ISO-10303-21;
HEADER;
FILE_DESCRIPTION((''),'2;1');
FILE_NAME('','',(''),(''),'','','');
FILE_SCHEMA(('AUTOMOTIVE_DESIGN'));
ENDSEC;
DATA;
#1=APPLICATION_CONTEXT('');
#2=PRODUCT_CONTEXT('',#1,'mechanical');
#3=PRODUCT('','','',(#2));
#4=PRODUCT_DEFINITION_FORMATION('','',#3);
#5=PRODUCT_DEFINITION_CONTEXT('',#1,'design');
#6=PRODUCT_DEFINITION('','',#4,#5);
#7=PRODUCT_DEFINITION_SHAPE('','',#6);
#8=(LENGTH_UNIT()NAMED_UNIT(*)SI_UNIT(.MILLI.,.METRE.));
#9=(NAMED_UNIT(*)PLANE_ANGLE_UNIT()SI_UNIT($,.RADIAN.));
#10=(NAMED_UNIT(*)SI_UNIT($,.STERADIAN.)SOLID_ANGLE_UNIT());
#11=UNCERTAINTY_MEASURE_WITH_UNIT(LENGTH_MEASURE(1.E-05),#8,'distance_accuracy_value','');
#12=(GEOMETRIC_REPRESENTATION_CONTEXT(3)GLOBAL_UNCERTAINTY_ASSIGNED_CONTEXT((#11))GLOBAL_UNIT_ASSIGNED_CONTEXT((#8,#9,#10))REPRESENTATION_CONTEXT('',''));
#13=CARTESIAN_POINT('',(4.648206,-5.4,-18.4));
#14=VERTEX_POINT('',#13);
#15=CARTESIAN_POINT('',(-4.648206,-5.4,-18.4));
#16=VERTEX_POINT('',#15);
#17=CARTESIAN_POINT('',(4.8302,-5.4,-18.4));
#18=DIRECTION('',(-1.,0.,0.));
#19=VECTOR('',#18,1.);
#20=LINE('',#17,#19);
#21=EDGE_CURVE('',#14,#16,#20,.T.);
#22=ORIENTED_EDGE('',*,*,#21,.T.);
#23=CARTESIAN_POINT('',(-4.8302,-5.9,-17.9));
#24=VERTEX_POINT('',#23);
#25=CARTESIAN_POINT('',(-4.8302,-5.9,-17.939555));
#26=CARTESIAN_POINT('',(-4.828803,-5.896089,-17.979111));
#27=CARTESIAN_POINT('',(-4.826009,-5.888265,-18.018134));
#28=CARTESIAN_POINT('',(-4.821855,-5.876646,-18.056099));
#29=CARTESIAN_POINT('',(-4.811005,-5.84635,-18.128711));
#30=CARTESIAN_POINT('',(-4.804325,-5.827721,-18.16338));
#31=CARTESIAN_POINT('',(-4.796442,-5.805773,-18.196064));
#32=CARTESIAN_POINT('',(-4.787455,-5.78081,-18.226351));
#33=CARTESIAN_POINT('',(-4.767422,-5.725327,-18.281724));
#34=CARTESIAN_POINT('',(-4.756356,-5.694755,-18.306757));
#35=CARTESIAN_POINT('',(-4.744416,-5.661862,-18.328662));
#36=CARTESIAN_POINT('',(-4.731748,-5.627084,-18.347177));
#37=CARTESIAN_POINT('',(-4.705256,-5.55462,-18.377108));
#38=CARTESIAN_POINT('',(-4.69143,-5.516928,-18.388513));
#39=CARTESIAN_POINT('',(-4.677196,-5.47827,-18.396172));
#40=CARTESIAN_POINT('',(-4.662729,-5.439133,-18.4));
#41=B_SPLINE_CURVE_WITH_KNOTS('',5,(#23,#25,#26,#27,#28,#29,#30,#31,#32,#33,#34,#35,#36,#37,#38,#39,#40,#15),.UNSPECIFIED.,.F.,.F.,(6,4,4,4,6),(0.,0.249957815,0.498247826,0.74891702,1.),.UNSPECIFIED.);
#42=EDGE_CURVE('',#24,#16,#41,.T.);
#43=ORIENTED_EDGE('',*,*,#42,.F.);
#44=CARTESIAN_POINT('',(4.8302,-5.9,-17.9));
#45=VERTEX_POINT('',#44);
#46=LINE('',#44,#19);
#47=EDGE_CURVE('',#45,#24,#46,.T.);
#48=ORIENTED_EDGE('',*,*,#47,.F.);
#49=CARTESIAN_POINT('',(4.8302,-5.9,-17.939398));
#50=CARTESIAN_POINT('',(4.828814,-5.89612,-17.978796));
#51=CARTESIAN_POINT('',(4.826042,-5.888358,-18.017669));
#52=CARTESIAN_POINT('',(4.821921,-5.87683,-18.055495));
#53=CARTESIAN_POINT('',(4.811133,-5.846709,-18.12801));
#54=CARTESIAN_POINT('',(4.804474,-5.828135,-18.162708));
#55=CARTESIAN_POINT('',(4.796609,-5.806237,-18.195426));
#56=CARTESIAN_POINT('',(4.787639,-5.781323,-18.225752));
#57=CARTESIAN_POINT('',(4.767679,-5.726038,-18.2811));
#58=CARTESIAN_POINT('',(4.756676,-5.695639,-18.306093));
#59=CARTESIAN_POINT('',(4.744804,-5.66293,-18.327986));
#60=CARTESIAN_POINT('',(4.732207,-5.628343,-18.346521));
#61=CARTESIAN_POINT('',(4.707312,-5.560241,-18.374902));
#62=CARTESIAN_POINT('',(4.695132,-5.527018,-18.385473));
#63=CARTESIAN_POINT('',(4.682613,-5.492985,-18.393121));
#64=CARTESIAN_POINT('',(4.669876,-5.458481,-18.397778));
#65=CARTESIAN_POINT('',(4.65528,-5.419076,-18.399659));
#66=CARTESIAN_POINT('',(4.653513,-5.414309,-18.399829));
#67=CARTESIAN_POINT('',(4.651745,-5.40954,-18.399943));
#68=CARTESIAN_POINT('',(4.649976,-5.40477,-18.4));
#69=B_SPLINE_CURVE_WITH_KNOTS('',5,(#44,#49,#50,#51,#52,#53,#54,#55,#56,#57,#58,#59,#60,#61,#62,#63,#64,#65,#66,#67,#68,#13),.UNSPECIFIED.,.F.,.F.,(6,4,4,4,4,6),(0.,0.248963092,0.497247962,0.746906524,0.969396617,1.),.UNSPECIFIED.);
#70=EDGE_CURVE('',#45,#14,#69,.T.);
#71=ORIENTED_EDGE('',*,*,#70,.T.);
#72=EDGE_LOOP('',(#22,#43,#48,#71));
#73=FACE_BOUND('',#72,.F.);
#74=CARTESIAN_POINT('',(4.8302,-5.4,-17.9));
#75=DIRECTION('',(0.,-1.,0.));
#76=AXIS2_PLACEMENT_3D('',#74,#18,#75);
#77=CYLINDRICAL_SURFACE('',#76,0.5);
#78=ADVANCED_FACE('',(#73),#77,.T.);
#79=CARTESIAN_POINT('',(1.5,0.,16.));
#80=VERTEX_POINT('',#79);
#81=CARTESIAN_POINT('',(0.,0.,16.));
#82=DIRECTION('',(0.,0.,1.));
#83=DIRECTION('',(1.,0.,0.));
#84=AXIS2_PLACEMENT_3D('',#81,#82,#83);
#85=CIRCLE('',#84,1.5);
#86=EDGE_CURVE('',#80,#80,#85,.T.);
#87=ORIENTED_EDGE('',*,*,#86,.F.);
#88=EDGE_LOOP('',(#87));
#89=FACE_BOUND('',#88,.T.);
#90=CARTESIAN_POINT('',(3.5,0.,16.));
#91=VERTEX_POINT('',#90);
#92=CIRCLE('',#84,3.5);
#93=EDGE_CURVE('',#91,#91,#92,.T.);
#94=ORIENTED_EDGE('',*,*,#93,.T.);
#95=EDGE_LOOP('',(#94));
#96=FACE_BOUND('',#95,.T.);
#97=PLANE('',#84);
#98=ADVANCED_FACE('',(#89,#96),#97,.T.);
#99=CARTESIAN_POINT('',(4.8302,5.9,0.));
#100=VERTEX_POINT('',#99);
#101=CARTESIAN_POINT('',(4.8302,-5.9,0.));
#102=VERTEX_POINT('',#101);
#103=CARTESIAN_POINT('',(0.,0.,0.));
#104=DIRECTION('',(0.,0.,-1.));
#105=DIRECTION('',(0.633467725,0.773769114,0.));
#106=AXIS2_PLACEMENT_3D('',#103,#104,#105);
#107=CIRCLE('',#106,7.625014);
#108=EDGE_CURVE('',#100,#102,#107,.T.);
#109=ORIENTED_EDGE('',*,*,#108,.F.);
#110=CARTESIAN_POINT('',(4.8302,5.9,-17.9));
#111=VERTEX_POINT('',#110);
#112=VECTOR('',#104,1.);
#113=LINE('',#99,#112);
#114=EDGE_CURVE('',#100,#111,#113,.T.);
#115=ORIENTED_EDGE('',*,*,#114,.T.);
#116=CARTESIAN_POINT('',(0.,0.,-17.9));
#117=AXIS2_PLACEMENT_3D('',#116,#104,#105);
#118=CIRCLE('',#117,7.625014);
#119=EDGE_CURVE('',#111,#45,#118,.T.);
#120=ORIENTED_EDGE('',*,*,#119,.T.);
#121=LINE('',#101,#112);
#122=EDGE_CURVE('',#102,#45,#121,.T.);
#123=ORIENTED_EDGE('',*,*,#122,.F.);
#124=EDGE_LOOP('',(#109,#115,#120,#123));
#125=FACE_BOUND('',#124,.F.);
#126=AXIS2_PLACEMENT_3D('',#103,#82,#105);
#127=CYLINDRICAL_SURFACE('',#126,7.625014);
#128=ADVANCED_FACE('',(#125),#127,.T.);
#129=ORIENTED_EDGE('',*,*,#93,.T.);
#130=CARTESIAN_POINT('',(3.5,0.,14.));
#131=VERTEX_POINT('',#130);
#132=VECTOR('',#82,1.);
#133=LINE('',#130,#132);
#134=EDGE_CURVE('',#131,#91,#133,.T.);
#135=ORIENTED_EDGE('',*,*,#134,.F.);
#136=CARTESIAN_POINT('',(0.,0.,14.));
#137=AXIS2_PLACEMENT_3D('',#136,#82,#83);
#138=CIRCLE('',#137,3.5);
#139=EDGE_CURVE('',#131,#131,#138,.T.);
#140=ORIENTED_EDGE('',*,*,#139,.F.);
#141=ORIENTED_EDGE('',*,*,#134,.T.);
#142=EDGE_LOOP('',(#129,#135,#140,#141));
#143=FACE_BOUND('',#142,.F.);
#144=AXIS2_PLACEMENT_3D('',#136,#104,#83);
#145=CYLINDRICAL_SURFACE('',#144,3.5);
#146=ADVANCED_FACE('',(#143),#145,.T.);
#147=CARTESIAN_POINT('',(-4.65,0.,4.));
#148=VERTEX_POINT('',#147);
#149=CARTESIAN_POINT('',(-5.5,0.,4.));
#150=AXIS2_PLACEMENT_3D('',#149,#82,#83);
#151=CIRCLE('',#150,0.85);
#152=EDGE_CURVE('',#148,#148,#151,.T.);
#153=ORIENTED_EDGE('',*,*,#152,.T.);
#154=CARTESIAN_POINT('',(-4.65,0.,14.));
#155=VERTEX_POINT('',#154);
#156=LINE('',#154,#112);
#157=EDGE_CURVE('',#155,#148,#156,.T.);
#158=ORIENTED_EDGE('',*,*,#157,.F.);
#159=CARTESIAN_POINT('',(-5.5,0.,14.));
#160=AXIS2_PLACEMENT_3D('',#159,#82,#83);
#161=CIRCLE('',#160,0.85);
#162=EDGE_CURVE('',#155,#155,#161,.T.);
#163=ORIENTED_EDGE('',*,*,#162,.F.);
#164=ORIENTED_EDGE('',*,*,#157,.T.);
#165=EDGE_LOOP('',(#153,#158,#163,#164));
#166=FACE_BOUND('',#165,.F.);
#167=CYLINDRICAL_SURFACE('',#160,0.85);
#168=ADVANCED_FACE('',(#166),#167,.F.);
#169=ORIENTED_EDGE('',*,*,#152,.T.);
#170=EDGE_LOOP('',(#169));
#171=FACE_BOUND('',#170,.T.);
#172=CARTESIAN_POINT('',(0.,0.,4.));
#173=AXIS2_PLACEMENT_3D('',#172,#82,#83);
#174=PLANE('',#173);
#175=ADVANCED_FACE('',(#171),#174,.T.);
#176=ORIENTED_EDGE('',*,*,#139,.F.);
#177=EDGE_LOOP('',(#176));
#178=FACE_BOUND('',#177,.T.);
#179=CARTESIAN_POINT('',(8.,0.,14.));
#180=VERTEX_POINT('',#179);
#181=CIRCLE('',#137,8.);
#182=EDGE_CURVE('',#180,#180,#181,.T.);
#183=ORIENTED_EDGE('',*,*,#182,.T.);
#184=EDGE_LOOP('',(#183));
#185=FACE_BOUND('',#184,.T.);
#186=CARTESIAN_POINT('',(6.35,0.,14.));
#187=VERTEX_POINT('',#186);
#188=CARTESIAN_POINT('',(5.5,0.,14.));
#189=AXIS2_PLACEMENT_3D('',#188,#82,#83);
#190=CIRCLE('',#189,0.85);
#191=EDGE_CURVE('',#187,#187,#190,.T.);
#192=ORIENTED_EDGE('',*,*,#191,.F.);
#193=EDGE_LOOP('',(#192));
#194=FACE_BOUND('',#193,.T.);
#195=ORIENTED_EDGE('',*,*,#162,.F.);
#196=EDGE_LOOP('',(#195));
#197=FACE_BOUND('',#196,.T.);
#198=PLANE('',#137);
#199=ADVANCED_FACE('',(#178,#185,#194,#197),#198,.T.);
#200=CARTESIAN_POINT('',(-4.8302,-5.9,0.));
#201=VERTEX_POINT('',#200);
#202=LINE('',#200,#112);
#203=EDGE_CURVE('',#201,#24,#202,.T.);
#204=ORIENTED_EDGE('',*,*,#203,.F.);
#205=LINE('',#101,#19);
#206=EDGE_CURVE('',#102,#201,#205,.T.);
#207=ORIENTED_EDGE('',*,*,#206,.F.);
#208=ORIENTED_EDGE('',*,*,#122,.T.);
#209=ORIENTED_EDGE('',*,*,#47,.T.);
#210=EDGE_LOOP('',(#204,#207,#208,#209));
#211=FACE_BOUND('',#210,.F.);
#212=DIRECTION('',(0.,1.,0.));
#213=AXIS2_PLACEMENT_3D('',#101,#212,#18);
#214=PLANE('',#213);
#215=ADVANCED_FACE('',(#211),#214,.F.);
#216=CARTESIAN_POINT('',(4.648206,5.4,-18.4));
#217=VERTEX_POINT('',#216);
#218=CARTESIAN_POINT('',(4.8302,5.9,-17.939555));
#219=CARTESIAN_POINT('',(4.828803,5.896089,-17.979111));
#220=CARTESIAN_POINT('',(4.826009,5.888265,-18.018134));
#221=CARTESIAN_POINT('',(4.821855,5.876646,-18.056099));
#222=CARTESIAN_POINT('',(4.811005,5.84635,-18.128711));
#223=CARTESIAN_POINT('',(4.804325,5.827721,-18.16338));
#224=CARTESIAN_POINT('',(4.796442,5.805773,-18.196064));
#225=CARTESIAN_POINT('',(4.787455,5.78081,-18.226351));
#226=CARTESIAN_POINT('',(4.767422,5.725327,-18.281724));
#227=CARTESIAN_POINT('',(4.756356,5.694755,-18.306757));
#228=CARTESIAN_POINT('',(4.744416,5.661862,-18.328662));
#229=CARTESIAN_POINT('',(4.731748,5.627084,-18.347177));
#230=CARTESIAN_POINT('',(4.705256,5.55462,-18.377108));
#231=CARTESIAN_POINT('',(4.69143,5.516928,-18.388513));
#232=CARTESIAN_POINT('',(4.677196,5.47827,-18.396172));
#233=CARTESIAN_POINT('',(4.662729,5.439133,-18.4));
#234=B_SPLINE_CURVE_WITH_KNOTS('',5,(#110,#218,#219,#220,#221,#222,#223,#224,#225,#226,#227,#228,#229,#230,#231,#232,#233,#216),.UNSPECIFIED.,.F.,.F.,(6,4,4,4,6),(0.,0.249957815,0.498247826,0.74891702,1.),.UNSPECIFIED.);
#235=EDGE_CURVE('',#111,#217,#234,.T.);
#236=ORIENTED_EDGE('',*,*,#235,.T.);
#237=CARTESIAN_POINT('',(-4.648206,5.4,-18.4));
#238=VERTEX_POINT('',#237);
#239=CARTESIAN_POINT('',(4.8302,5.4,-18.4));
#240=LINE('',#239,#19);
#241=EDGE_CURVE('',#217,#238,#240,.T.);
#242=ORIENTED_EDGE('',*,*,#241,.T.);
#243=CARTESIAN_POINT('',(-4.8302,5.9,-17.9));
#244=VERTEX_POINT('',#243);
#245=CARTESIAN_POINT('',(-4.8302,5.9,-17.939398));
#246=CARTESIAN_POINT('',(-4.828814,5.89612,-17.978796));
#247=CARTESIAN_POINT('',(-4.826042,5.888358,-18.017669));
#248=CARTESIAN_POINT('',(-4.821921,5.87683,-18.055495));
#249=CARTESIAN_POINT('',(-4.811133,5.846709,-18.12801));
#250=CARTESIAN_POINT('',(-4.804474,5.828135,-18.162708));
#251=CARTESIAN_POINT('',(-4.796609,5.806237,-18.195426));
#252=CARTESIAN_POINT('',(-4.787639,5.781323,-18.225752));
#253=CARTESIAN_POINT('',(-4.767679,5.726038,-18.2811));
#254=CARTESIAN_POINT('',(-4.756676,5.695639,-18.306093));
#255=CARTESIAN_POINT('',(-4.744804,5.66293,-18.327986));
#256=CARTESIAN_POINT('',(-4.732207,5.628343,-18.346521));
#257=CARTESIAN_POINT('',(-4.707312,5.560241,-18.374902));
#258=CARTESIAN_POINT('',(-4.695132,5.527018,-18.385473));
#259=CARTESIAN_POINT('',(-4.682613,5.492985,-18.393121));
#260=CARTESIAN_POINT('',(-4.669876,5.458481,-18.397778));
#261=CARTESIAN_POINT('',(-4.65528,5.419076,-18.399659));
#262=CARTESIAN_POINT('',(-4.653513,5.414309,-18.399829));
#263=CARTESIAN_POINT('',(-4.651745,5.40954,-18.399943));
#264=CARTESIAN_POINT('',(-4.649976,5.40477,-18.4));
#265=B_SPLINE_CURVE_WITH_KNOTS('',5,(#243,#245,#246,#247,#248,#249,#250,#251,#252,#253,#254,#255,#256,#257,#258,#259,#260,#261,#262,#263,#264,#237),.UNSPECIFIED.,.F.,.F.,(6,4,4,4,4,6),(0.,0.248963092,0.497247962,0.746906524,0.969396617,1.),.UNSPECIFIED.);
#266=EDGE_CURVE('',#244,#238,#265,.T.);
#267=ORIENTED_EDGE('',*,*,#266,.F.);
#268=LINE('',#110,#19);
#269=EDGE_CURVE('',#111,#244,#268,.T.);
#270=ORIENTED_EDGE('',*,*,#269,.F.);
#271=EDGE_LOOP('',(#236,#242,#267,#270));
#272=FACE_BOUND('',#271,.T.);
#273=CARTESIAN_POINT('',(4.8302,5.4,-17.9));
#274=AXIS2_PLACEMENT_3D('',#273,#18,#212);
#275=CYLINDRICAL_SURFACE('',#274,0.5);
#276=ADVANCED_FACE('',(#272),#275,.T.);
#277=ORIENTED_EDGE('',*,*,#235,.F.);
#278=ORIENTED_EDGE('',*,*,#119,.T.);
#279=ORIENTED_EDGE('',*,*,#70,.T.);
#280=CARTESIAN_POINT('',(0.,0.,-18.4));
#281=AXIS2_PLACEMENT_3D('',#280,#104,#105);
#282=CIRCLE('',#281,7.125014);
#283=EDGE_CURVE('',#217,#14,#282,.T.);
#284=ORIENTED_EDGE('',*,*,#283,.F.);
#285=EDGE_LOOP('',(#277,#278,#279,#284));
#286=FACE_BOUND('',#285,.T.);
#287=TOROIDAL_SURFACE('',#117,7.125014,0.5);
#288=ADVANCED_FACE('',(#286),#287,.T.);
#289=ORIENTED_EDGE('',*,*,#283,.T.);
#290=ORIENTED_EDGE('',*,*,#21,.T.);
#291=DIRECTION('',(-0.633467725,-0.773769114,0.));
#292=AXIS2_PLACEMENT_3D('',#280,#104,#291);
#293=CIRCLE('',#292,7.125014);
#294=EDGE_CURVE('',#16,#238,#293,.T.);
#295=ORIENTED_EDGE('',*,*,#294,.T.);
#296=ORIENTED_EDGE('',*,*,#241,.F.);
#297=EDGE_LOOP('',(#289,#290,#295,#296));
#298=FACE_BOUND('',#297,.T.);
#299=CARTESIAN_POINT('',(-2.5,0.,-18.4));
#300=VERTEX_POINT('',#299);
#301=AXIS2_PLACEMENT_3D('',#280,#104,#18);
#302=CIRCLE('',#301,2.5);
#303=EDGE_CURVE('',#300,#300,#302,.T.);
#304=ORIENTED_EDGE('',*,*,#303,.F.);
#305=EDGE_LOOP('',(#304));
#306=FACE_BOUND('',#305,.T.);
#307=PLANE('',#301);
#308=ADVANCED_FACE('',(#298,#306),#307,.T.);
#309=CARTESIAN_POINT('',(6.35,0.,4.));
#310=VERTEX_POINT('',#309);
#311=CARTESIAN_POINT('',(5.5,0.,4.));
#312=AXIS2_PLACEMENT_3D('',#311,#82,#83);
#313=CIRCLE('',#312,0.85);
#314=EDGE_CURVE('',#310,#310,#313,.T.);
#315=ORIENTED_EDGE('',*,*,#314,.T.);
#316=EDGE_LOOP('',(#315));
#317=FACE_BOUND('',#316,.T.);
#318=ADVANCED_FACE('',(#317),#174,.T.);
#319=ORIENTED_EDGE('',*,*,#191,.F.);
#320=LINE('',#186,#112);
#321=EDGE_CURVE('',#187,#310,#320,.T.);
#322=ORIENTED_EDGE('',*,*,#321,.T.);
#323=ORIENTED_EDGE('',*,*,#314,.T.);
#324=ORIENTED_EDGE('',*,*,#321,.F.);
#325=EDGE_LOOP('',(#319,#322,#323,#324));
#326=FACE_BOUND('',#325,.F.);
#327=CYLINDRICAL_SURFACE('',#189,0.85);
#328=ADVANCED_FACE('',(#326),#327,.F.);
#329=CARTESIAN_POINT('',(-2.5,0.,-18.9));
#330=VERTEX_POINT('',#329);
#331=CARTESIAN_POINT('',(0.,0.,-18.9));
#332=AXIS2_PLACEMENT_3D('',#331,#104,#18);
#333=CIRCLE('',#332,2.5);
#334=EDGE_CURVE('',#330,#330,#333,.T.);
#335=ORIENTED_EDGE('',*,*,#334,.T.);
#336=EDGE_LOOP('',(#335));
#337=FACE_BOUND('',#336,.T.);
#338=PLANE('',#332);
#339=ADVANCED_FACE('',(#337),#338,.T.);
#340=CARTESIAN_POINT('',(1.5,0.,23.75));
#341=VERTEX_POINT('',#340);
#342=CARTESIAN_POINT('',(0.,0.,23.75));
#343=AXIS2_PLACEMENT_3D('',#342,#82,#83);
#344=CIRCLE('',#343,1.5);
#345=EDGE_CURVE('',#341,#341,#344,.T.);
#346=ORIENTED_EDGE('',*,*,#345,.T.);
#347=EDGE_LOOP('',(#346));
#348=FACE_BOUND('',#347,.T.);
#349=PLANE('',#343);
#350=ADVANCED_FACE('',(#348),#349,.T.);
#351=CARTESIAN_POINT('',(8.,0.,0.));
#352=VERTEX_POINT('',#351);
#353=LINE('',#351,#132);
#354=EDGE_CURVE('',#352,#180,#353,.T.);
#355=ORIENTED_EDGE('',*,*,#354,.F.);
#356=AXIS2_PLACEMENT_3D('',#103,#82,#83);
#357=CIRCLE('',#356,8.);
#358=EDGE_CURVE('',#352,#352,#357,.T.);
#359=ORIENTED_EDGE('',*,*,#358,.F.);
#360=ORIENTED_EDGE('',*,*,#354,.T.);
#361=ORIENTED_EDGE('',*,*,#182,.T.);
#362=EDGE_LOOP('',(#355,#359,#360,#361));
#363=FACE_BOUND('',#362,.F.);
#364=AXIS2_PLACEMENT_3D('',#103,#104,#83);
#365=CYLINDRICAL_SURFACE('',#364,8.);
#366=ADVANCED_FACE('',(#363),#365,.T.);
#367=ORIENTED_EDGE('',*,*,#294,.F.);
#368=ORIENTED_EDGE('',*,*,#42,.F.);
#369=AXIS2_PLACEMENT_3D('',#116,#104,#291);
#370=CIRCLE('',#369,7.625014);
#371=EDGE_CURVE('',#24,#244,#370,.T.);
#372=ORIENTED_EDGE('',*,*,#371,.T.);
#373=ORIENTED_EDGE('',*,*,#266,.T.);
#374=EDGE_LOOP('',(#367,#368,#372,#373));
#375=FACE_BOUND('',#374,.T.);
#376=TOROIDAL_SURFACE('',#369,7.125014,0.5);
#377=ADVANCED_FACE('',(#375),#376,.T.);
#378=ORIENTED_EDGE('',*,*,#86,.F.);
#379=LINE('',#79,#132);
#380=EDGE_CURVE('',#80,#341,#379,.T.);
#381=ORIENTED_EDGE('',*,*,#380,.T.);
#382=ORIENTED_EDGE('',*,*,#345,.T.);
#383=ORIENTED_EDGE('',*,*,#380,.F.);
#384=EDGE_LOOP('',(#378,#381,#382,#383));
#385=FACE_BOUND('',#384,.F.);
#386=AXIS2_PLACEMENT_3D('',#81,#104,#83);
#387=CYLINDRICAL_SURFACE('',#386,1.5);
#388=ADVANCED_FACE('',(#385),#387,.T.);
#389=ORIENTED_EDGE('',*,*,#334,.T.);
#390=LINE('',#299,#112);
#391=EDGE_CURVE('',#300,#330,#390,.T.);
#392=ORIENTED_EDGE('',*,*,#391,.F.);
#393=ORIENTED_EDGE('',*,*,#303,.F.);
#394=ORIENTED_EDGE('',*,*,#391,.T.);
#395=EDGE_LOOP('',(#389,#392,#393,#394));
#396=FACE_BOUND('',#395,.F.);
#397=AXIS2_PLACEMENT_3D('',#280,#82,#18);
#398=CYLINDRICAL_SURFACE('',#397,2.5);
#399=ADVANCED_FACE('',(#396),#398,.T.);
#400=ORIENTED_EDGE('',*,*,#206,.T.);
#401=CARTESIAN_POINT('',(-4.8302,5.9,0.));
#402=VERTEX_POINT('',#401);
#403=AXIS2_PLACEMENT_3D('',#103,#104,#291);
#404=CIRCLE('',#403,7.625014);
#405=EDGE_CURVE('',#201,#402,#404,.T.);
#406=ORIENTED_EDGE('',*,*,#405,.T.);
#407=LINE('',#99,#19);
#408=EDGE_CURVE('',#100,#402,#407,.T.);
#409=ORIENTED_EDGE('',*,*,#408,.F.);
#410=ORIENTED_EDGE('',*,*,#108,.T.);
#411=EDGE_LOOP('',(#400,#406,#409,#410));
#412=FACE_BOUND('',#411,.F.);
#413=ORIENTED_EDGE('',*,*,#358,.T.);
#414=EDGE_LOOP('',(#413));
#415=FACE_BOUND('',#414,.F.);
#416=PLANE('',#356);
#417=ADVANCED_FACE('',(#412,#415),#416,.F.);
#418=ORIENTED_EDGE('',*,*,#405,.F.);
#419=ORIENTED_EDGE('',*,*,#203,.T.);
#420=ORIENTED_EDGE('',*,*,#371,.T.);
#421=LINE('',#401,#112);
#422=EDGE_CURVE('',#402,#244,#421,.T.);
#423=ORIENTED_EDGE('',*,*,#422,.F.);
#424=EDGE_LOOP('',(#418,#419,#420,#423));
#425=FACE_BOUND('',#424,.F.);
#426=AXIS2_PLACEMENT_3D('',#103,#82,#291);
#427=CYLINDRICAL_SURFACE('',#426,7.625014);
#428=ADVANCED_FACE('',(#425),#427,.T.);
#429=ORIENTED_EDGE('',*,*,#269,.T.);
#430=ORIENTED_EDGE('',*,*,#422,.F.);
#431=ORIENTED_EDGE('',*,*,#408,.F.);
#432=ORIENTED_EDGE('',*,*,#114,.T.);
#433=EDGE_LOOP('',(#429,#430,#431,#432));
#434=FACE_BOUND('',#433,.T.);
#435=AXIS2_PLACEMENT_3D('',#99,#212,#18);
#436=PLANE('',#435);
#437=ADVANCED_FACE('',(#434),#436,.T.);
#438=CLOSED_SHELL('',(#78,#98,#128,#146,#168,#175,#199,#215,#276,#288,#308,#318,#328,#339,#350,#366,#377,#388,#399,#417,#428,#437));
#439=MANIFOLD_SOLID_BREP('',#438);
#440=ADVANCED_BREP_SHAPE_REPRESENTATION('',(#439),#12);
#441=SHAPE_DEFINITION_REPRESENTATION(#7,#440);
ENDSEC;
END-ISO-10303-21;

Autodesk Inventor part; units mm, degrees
ref_plane "YZ Plane" through (0, 0, 0) normal (1, 0, 0) x (0, 1, 0)
ref_plane "XZ Plane" through (0, 0, 0) normal (0, 1, 0) x (-1, 0, 0)
ref_plane "XY Plane" through (0, 0, 0) normal (0, 0, 1) x (1, 0, 0)
sketch "Sketch1" plane through (0, 0, 0) normal (0, 0, 1) x (1, 0, 0)
  circle A0 centre (0, 0) radius 8
  dimension "d0" = 16
extrude "Extrusion1" add sketch "Sketch1" along normal blind 14
sketch "Sketch2" plane through (0, 0, 14) normal (0, 0, 1) x (1, 0, 0)
  circle A0 centre (0, 0) radius 8 projected
  circle A1 centre (5.5, 0) radius 0.85
  circle A2 centre (-5.5, 0) radius 0.85
  dimension "d3" = 1.7
  dimension "d4" = 1.7
  dimension "d5" = 5.5
  dimension "d6" = 5.5
extrude "Extrusion2" cut sketch "Sketch2" against normal blind 10 contours A1 | A2
sketch "Sketch3" plane through (0, 0, 14) normal (0, 0, 1) x (1, 0, 0)
  circle A0 centre (0, 0) radius 8 projected
  circle A1 centre (0, 0) radius 3.5
  dimension "d9" = 7
extrude "Extrusion3" add sketch "Sketch3" along normal blind 2 contours A1
sketch "Sketch4" plane through (0, 0, 16) normal (0, 0, 1) x (1, 0, 0)
  circle A0 centre (0, 0) radius 3.5 projected
  circle A1 centre (0, 0) radius 1.5
  dimension "d12" = 3
extrude "Extrusion4" add sketch "Sketch4" along normal blind 7.75 contours A1
sketch "Sketch5" plane through (0, 0, 0) normal (0, 0, -1) x (-1, 0, 0)
  circle A0 centre (0, 0) radius 8 projected
  line L0 (-4.8302, 5.9) -> (4.8302, 5.9)
  line L1 (-4.8302, -5.9) -> (4.8302, -5.9)
  arc A1 (-4.8302, 5.9) -> (-4.8302, -5.9) centre (0, 0) ccw
  arc A2 (4.8302, -5.9) -> (4.8302, 5.9) centre (0, 0) ccw
  dimension "d16" = 5.9
  dimension "d17" = 5.9
extrude "Extrusion5" add sketch "Sketch5" along normal blind 18.4 contours L0 A2 L1 A1
fillet "Fillet1" radius 0.5 4 edges at (0, 5.9, -18.4) (7.625, 0, -18.4) (-7.625, 0, -18.4) (0, -5.9, -18.4)
sketch "Sketch6" plane through (0, 0, -18.4) normal (0, 0, -1) x (-1, 0, 0)
  arc A0 (-4.6482, 5.4) -> (-4.6482, -5.4) centre (0, 0) ccw projected
  circle A1 centre (0, 0) radius 2.5
  dimension "d21" = 5
extrude "Extrusion6" add sketch "Sketch6" along normal blind 0.5
properties part number "Gantry Motor"
